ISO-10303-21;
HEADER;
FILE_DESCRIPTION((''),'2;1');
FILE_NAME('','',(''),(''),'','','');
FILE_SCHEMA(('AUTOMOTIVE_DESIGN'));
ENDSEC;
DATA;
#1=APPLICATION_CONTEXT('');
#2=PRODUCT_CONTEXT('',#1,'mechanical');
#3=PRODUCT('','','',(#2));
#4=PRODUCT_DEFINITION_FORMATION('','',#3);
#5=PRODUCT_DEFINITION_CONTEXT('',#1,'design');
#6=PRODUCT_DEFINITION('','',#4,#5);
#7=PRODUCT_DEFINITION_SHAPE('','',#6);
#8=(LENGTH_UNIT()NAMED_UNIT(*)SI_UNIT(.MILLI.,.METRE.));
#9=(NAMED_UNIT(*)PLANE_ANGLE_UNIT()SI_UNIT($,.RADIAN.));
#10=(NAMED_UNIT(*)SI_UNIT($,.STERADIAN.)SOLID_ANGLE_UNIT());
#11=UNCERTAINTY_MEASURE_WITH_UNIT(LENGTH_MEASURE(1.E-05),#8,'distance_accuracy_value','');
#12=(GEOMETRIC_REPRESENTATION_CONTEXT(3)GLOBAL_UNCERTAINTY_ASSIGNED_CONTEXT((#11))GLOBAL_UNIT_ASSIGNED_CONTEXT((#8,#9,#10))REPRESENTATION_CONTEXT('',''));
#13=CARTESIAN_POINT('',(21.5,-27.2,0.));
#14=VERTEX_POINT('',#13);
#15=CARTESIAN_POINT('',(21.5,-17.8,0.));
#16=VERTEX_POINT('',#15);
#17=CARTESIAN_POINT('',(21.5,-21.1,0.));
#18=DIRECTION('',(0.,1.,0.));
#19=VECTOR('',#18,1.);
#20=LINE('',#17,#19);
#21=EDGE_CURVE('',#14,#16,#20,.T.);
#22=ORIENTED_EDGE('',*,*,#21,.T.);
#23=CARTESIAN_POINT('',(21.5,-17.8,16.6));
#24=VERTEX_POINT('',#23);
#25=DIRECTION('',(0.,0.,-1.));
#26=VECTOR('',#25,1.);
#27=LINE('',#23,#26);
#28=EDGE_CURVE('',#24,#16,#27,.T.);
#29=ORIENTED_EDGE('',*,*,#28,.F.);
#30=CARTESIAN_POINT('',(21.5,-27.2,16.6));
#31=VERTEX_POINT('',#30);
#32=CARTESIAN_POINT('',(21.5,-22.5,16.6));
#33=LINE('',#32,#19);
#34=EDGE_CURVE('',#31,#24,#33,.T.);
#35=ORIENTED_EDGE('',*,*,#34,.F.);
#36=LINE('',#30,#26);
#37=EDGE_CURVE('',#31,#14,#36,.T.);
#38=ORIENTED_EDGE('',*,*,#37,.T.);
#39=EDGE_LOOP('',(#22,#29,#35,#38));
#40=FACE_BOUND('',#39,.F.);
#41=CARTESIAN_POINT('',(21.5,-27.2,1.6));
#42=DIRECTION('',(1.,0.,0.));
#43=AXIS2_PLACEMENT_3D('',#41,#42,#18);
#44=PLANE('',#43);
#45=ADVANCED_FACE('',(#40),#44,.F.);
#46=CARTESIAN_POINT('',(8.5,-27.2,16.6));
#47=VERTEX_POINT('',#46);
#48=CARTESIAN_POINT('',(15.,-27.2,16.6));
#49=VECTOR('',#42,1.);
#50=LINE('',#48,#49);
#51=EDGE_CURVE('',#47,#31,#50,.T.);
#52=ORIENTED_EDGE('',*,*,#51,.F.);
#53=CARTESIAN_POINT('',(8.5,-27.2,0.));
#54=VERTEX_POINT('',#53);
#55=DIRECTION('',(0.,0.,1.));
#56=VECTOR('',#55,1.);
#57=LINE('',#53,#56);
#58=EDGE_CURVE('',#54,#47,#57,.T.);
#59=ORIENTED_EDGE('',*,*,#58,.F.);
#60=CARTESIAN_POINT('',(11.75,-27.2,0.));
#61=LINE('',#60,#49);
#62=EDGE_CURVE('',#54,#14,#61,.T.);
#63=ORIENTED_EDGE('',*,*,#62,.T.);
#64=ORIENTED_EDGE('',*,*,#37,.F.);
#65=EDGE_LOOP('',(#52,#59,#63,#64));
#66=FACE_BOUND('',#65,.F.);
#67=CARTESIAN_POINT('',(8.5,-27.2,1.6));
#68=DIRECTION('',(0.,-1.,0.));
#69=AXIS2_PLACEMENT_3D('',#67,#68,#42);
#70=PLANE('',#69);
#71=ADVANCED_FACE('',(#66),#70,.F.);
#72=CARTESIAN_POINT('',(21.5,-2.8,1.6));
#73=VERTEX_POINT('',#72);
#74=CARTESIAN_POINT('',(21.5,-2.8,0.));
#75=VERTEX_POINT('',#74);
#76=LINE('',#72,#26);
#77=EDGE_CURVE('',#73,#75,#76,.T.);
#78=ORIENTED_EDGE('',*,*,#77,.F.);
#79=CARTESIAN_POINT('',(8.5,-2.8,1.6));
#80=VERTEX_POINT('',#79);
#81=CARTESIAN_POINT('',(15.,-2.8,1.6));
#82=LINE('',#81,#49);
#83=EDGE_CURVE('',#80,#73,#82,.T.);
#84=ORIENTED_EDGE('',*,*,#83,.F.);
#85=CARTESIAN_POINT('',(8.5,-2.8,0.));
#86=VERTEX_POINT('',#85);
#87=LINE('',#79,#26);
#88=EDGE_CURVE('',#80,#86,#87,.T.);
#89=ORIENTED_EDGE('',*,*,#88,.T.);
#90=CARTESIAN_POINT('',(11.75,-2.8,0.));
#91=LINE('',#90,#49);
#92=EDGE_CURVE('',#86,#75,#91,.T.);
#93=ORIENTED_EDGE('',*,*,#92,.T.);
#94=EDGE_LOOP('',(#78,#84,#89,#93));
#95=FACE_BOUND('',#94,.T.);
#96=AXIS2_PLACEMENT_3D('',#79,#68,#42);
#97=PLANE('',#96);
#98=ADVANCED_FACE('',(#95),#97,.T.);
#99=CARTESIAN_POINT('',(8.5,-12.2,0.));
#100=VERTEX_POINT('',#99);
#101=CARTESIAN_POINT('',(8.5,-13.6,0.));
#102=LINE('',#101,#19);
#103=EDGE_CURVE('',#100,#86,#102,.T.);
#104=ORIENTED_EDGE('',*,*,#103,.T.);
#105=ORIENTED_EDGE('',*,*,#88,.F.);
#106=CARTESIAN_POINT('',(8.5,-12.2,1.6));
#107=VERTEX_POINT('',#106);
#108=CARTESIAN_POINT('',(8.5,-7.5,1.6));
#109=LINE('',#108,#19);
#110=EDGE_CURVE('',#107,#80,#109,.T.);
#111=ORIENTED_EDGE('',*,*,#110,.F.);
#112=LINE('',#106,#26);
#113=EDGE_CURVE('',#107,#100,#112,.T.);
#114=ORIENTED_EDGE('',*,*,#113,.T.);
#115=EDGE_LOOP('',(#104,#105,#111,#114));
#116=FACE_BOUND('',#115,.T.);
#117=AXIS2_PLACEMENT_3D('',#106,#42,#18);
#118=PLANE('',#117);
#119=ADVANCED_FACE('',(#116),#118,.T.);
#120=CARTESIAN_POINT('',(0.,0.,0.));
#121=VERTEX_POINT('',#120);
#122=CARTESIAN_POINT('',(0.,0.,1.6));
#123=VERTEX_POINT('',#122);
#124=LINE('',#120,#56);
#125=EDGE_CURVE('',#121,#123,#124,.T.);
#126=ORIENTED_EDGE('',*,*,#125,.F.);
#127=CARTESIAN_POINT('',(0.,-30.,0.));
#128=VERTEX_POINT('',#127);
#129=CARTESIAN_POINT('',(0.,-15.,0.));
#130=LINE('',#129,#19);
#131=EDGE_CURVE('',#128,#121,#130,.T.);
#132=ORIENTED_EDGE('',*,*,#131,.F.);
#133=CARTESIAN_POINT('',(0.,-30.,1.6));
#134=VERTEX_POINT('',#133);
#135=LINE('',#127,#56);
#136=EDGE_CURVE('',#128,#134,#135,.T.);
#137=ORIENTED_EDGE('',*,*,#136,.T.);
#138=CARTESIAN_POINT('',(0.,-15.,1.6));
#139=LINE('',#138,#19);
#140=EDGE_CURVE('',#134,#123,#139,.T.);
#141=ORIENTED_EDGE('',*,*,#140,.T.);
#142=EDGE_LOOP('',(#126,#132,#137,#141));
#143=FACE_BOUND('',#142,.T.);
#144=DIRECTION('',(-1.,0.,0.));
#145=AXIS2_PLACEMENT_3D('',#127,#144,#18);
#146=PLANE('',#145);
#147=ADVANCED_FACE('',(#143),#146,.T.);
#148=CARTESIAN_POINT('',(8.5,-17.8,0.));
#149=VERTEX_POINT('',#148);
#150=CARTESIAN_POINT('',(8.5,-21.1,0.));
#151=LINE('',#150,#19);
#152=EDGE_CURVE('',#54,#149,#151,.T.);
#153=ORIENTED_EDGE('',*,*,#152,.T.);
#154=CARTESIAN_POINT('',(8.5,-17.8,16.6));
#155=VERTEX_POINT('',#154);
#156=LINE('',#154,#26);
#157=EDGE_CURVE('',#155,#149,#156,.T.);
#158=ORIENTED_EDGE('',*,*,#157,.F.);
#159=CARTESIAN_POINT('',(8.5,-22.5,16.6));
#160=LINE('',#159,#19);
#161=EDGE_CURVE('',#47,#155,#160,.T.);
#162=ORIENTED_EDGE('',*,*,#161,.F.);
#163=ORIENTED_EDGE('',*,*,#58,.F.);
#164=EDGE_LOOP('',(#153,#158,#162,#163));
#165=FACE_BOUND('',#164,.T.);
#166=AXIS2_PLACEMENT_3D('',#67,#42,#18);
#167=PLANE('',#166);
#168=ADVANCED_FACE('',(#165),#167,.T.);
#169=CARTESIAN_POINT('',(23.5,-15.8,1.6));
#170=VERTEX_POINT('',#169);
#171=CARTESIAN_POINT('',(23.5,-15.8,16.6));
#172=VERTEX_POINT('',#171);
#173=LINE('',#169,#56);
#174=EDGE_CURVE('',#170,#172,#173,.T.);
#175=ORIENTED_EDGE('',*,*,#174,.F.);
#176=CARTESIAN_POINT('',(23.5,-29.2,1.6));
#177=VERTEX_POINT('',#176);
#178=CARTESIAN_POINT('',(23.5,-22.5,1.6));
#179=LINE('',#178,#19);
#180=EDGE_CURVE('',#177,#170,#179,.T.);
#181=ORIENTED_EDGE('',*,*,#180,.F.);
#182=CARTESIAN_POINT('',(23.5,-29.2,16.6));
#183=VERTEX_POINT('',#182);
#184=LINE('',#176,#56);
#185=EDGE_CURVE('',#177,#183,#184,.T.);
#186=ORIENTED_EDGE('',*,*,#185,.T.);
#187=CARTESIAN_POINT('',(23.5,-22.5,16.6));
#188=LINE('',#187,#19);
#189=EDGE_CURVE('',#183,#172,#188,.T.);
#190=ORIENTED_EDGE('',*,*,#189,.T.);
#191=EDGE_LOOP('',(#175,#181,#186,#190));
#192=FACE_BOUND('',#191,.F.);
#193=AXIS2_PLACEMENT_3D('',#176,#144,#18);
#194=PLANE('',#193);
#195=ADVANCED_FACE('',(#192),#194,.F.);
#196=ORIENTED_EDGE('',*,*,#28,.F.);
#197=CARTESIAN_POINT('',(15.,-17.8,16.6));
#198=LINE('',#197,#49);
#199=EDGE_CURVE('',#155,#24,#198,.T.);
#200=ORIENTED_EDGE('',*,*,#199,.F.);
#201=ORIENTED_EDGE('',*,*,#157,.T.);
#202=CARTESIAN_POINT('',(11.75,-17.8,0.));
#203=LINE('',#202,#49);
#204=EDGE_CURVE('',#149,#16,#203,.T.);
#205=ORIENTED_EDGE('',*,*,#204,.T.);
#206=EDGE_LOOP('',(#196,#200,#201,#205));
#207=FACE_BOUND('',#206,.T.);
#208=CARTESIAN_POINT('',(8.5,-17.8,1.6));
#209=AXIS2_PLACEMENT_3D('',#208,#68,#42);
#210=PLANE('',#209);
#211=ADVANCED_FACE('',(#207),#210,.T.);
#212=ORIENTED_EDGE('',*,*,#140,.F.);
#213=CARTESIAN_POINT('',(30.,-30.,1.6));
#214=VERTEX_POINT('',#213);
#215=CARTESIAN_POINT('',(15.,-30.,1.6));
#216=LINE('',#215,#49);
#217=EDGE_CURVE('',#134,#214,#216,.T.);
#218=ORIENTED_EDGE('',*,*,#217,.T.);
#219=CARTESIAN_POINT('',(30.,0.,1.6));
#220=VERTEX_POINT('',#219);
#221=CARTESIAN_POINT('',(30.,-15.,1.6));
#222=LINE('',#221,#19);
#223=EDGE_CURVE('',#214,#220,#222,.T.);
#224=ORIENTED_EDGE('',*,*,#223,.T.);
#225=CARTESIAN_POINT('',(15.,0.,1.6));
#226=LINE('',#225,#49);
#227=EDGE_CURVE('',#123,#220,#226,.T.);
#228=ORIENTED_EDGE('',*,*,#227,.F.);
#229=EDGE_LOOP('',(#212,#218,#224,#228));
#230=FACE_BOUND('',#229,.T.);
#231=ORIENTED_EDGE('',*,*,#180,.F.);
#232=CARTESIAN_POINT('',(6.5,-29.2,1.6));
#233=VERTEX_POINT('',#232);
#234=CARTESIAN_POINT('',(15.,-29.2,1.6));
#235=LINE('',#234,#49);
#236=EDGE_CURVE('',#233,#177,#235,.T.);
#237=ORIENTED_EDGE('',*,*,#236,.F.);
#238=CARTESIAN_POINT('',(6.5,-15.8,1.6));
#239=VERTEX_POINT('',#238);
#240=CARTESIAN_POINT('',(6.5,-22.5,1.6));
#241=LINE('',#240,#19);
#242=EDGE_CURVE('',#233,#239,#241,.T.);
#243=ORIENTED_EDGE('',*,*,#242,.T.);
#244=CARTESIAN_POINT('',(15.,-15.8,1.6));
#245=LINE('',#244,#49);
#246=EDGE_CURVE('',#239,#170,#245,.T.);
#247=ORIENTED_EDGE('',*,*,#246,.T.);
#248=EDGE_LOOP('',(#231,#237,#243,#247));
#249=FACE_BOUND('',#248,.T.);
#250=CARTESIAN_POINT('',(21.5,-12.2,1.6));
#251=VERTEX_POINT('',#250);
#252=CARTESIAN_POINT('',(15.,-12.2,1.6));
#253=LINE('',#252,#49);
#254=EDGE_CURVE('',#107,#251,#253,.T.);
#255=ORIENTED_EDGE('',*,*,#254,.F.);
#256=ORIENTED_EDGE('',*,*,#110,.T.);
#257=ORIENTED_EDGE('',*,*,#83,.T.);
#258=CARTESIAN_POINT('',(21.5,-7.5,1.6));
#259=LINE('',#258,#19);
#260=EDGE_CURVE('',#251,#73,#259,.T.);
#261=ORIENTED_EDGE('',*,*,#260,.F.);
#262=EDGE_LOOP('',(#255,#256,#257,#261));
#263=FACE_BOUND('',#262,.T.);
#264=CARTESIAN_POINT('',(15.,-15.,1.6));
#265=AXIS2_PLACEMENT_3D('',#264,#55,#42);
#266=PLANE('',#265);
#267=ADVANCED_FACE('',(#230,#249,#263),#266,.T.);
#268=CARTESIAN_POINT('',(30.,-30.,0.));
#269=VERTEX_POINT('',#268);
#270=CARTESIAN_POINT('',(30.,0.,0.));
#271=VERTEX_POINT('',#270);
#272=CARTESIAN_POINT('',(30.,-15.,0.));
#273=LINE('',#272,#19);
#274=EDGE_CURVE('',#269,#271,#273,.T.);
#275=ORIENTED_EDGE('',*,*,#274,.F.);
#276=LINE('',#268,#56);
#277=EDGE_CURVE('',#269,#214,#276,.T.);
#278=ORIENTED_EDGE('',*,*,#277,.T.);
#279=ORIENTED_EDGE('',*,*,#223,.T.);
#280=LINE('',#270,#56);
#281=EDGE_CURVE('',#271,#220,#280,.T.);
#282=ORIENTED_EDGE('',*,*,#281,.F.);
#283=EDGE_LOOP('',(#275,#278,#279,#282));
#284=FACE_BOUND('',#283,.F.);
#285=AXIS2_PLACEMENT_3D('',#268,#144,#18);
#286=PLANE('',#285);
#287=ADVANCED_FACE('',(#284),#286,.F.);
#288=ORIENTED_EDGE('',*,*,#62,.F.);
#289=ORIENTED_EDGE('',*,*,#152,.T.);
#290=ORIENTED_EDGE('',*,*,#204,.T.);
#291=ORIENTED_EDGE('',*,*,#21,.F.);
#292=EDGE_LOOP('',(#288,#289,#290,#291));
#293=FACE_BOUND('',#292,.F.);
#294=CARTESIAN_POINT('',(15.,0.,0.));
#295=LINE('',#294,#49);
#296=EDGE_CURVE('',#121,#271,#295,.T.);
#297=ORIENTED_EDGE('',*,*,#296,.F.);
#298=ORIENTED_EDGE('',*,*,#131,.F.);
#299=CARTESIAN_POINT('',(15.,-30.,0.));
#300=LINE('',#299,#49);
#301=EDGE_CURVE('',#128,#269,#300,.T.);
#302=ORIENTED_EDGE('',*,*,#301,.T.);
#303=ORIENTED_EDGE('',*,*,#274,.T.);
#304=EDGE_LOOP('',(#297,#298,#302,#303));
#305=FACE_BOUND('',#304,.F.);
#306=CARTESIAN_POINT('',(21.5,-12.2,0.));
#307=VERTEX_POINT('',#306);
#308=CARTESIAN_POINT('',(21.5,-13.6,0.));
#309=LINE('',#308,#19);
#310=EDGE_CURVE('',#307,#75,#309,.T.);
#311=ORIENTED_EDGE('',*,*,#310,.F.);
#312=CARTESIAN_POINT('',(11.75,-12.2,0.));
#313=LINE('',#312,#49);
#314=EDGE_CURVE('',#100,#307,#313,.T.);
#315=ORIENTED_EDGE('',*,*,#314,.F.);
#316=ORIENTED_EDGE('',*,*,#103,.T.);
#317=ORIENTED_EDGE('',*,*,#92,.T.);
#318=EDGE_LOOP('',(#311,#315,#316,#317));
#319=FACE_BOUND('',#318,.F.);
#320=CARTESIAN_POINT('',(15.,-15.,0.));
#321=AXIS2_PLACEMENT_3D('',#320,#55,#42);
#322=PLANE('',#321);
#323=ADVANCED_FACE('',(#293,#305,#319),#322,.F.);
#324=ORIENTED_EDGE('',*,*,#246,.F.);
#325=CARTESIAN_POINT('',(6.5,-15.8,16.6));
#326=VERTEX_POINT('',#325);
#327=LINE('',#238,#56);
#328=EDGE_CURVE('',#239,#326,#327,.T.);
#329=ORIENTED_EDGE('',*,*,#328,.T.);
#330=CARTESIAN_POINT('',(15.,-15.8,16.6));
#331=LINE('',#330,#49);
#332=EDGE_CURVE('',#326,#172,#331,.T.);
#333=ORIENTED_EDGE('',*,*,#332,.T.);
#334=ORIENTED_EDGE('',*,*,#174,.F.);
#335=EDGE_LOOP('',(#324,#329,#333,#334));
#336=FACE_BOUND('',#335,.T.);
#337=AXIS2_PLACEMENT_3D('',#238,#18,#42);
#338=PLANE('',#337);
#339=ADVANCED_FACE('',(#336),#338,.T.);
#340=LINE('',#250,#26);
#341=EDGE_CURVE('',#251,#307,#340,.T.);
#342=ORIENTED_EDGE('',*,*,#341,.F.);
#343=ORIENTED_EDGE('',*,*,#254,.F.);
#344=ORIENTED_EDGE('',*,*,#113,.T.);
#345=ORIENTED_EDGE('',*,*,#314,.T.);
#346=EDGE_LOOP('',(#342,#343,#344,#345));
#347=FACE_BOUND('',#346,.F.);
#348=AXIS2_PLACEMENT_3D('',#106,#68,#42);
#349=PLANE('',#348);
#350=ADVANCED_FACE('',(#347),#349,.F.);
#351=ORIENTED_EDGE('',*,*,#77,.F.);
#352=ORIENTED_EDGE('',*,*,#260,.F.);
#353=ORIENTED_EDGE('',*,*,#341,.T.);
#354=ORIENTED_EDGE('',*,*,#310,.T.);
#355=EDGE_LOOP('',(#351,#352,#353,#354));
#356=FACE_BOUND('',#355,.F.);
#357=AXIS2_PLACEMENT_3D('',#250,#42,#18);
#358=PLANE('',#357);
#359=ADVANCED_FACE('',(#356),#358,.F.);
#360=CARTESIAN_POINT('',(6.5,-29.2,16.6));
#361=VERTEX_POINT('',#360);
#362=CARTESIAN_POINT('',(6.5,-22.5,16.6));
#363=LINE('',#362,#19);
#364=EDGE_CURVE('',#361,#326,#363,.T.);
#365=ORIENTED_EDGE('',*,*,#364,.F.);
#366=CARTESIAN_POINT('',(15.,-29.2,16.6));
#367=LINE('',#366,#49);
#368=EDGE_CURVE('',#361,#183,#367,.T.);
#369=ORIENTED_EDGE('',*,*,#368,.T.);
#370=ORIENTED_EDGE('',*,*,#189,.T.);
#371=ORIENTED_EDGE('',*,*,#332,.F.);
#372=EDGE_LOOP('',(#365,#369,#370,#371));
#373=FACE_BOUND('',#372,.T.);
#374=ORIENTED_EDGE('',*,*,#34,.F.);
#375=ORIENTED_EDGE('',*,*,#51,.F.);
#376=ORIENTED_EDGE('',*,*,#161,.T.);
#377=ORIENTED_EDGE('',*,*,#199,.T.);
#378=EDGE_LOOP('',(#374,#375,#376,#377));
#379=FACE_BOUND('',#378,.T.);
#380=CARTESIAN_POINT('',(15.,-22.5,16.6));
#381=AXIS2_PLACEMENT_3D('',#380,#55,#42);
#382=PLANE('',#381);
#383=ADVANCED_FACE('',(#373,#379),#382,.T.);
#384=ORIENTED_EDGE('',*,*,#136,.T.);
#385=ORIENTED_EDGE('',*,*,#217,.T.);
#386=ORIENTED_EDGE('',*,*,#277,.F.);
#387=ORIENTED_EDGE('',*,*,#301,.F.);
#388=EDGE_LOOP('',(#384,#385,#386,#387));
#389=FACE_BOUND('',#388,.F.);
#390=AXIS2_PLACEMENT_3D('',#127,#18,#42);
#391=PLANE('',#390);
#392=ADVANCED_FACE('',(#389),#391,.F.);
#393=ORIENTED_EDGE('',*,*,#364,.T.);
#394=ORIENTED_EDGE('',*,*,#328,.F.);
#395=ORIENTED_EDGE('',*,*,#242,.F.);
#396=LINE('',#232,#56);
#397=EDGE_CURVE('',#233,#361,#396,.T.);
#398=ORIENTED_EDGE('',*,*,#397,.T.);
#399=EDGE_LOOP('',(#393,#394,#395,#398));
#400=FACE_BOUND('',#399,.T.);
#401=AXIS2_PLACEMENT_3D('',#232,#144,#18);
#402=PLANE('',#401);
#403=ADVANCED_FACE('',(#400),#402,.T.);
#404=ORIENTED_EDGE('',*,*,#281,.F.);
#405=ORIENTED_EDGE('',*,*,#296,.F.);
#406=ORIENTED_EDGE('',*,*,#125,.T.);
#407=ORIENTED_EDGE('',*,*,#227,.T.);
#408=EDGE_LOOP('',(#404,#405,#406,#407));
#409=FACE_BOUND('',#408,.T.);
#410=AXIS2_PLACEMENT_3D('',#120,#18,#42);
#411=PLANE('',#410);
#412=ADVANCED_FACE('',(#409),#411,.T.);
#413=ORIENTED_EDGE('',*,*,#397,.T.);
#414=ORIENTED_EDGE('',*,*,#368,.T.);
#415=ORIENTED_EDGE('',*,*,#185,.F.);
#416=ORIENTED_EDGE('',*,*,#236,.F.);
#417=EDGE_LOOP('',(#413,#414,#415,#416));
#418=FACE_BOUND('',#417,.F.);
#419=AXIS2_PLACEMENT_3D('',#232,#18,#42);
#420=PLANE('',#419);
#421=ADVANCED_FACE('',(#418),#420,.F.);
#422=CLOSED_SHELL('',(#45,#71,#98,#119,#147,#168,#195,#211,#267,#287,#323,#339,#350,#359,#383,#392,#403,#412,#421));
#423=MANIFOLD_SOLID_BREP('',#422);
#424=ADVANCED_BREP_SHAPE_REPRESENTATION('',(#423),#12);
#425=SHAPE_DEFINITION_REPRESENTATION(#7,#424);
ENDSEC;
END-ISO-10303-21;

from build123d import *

# Parameters (mm, degrees)
F0_W     = 30
F0_H     = 30
F1_DEPTH = 1.6
F2_W     = 13
F2_H     = 9.4
F3_DEPTH = 25
F2_W_2   = 17
F2_H_2   = 13.4
F4_DEPTH = 15
F5_DEPTH = 25


with BuildPart() as f1:
    # F0 (on Top) → F1 (new body)
    with BuildSketch(Plane.XY):
        with Locations((15, -15)):
            Rectangle(F0_W, F0_H)
    extrude(amount=F1_DEPTH)

    # F2 (on face) → F3 (cut)
    with BuildSketch(Plane.XY.offset(1.6)):
        with Locations((15, -7.5)):
            Rectangle(F2_W, F2_H)
    extrude(amount=-F3_DEPTH, mode=Mode.SUBTRACT)

    # F2 (on face) → F4 (join)
    with BuildSketch(Plane.XY.offset(1.6)):
        with Locations((15, -22.5)):
            Rectangle(F2_W_2, F2_H_2)
        with Locations((15, -22.5)):
            Rectangle(F2_W, F2_H, mode=Mode.SUBTRACT)
    extrude(amount=F4_DEPTH)

    # F2 (on face) → F5 (cut)
    with BuildSketch(Plane.XY.offset(1.6)):
        with Locations((15, -22.5)):
            Rectangle(F2_W, F2_H)
    extrude(amount=-F5_DEPTH, mode=Mode.SUBTRACT)


solid = f1.part
